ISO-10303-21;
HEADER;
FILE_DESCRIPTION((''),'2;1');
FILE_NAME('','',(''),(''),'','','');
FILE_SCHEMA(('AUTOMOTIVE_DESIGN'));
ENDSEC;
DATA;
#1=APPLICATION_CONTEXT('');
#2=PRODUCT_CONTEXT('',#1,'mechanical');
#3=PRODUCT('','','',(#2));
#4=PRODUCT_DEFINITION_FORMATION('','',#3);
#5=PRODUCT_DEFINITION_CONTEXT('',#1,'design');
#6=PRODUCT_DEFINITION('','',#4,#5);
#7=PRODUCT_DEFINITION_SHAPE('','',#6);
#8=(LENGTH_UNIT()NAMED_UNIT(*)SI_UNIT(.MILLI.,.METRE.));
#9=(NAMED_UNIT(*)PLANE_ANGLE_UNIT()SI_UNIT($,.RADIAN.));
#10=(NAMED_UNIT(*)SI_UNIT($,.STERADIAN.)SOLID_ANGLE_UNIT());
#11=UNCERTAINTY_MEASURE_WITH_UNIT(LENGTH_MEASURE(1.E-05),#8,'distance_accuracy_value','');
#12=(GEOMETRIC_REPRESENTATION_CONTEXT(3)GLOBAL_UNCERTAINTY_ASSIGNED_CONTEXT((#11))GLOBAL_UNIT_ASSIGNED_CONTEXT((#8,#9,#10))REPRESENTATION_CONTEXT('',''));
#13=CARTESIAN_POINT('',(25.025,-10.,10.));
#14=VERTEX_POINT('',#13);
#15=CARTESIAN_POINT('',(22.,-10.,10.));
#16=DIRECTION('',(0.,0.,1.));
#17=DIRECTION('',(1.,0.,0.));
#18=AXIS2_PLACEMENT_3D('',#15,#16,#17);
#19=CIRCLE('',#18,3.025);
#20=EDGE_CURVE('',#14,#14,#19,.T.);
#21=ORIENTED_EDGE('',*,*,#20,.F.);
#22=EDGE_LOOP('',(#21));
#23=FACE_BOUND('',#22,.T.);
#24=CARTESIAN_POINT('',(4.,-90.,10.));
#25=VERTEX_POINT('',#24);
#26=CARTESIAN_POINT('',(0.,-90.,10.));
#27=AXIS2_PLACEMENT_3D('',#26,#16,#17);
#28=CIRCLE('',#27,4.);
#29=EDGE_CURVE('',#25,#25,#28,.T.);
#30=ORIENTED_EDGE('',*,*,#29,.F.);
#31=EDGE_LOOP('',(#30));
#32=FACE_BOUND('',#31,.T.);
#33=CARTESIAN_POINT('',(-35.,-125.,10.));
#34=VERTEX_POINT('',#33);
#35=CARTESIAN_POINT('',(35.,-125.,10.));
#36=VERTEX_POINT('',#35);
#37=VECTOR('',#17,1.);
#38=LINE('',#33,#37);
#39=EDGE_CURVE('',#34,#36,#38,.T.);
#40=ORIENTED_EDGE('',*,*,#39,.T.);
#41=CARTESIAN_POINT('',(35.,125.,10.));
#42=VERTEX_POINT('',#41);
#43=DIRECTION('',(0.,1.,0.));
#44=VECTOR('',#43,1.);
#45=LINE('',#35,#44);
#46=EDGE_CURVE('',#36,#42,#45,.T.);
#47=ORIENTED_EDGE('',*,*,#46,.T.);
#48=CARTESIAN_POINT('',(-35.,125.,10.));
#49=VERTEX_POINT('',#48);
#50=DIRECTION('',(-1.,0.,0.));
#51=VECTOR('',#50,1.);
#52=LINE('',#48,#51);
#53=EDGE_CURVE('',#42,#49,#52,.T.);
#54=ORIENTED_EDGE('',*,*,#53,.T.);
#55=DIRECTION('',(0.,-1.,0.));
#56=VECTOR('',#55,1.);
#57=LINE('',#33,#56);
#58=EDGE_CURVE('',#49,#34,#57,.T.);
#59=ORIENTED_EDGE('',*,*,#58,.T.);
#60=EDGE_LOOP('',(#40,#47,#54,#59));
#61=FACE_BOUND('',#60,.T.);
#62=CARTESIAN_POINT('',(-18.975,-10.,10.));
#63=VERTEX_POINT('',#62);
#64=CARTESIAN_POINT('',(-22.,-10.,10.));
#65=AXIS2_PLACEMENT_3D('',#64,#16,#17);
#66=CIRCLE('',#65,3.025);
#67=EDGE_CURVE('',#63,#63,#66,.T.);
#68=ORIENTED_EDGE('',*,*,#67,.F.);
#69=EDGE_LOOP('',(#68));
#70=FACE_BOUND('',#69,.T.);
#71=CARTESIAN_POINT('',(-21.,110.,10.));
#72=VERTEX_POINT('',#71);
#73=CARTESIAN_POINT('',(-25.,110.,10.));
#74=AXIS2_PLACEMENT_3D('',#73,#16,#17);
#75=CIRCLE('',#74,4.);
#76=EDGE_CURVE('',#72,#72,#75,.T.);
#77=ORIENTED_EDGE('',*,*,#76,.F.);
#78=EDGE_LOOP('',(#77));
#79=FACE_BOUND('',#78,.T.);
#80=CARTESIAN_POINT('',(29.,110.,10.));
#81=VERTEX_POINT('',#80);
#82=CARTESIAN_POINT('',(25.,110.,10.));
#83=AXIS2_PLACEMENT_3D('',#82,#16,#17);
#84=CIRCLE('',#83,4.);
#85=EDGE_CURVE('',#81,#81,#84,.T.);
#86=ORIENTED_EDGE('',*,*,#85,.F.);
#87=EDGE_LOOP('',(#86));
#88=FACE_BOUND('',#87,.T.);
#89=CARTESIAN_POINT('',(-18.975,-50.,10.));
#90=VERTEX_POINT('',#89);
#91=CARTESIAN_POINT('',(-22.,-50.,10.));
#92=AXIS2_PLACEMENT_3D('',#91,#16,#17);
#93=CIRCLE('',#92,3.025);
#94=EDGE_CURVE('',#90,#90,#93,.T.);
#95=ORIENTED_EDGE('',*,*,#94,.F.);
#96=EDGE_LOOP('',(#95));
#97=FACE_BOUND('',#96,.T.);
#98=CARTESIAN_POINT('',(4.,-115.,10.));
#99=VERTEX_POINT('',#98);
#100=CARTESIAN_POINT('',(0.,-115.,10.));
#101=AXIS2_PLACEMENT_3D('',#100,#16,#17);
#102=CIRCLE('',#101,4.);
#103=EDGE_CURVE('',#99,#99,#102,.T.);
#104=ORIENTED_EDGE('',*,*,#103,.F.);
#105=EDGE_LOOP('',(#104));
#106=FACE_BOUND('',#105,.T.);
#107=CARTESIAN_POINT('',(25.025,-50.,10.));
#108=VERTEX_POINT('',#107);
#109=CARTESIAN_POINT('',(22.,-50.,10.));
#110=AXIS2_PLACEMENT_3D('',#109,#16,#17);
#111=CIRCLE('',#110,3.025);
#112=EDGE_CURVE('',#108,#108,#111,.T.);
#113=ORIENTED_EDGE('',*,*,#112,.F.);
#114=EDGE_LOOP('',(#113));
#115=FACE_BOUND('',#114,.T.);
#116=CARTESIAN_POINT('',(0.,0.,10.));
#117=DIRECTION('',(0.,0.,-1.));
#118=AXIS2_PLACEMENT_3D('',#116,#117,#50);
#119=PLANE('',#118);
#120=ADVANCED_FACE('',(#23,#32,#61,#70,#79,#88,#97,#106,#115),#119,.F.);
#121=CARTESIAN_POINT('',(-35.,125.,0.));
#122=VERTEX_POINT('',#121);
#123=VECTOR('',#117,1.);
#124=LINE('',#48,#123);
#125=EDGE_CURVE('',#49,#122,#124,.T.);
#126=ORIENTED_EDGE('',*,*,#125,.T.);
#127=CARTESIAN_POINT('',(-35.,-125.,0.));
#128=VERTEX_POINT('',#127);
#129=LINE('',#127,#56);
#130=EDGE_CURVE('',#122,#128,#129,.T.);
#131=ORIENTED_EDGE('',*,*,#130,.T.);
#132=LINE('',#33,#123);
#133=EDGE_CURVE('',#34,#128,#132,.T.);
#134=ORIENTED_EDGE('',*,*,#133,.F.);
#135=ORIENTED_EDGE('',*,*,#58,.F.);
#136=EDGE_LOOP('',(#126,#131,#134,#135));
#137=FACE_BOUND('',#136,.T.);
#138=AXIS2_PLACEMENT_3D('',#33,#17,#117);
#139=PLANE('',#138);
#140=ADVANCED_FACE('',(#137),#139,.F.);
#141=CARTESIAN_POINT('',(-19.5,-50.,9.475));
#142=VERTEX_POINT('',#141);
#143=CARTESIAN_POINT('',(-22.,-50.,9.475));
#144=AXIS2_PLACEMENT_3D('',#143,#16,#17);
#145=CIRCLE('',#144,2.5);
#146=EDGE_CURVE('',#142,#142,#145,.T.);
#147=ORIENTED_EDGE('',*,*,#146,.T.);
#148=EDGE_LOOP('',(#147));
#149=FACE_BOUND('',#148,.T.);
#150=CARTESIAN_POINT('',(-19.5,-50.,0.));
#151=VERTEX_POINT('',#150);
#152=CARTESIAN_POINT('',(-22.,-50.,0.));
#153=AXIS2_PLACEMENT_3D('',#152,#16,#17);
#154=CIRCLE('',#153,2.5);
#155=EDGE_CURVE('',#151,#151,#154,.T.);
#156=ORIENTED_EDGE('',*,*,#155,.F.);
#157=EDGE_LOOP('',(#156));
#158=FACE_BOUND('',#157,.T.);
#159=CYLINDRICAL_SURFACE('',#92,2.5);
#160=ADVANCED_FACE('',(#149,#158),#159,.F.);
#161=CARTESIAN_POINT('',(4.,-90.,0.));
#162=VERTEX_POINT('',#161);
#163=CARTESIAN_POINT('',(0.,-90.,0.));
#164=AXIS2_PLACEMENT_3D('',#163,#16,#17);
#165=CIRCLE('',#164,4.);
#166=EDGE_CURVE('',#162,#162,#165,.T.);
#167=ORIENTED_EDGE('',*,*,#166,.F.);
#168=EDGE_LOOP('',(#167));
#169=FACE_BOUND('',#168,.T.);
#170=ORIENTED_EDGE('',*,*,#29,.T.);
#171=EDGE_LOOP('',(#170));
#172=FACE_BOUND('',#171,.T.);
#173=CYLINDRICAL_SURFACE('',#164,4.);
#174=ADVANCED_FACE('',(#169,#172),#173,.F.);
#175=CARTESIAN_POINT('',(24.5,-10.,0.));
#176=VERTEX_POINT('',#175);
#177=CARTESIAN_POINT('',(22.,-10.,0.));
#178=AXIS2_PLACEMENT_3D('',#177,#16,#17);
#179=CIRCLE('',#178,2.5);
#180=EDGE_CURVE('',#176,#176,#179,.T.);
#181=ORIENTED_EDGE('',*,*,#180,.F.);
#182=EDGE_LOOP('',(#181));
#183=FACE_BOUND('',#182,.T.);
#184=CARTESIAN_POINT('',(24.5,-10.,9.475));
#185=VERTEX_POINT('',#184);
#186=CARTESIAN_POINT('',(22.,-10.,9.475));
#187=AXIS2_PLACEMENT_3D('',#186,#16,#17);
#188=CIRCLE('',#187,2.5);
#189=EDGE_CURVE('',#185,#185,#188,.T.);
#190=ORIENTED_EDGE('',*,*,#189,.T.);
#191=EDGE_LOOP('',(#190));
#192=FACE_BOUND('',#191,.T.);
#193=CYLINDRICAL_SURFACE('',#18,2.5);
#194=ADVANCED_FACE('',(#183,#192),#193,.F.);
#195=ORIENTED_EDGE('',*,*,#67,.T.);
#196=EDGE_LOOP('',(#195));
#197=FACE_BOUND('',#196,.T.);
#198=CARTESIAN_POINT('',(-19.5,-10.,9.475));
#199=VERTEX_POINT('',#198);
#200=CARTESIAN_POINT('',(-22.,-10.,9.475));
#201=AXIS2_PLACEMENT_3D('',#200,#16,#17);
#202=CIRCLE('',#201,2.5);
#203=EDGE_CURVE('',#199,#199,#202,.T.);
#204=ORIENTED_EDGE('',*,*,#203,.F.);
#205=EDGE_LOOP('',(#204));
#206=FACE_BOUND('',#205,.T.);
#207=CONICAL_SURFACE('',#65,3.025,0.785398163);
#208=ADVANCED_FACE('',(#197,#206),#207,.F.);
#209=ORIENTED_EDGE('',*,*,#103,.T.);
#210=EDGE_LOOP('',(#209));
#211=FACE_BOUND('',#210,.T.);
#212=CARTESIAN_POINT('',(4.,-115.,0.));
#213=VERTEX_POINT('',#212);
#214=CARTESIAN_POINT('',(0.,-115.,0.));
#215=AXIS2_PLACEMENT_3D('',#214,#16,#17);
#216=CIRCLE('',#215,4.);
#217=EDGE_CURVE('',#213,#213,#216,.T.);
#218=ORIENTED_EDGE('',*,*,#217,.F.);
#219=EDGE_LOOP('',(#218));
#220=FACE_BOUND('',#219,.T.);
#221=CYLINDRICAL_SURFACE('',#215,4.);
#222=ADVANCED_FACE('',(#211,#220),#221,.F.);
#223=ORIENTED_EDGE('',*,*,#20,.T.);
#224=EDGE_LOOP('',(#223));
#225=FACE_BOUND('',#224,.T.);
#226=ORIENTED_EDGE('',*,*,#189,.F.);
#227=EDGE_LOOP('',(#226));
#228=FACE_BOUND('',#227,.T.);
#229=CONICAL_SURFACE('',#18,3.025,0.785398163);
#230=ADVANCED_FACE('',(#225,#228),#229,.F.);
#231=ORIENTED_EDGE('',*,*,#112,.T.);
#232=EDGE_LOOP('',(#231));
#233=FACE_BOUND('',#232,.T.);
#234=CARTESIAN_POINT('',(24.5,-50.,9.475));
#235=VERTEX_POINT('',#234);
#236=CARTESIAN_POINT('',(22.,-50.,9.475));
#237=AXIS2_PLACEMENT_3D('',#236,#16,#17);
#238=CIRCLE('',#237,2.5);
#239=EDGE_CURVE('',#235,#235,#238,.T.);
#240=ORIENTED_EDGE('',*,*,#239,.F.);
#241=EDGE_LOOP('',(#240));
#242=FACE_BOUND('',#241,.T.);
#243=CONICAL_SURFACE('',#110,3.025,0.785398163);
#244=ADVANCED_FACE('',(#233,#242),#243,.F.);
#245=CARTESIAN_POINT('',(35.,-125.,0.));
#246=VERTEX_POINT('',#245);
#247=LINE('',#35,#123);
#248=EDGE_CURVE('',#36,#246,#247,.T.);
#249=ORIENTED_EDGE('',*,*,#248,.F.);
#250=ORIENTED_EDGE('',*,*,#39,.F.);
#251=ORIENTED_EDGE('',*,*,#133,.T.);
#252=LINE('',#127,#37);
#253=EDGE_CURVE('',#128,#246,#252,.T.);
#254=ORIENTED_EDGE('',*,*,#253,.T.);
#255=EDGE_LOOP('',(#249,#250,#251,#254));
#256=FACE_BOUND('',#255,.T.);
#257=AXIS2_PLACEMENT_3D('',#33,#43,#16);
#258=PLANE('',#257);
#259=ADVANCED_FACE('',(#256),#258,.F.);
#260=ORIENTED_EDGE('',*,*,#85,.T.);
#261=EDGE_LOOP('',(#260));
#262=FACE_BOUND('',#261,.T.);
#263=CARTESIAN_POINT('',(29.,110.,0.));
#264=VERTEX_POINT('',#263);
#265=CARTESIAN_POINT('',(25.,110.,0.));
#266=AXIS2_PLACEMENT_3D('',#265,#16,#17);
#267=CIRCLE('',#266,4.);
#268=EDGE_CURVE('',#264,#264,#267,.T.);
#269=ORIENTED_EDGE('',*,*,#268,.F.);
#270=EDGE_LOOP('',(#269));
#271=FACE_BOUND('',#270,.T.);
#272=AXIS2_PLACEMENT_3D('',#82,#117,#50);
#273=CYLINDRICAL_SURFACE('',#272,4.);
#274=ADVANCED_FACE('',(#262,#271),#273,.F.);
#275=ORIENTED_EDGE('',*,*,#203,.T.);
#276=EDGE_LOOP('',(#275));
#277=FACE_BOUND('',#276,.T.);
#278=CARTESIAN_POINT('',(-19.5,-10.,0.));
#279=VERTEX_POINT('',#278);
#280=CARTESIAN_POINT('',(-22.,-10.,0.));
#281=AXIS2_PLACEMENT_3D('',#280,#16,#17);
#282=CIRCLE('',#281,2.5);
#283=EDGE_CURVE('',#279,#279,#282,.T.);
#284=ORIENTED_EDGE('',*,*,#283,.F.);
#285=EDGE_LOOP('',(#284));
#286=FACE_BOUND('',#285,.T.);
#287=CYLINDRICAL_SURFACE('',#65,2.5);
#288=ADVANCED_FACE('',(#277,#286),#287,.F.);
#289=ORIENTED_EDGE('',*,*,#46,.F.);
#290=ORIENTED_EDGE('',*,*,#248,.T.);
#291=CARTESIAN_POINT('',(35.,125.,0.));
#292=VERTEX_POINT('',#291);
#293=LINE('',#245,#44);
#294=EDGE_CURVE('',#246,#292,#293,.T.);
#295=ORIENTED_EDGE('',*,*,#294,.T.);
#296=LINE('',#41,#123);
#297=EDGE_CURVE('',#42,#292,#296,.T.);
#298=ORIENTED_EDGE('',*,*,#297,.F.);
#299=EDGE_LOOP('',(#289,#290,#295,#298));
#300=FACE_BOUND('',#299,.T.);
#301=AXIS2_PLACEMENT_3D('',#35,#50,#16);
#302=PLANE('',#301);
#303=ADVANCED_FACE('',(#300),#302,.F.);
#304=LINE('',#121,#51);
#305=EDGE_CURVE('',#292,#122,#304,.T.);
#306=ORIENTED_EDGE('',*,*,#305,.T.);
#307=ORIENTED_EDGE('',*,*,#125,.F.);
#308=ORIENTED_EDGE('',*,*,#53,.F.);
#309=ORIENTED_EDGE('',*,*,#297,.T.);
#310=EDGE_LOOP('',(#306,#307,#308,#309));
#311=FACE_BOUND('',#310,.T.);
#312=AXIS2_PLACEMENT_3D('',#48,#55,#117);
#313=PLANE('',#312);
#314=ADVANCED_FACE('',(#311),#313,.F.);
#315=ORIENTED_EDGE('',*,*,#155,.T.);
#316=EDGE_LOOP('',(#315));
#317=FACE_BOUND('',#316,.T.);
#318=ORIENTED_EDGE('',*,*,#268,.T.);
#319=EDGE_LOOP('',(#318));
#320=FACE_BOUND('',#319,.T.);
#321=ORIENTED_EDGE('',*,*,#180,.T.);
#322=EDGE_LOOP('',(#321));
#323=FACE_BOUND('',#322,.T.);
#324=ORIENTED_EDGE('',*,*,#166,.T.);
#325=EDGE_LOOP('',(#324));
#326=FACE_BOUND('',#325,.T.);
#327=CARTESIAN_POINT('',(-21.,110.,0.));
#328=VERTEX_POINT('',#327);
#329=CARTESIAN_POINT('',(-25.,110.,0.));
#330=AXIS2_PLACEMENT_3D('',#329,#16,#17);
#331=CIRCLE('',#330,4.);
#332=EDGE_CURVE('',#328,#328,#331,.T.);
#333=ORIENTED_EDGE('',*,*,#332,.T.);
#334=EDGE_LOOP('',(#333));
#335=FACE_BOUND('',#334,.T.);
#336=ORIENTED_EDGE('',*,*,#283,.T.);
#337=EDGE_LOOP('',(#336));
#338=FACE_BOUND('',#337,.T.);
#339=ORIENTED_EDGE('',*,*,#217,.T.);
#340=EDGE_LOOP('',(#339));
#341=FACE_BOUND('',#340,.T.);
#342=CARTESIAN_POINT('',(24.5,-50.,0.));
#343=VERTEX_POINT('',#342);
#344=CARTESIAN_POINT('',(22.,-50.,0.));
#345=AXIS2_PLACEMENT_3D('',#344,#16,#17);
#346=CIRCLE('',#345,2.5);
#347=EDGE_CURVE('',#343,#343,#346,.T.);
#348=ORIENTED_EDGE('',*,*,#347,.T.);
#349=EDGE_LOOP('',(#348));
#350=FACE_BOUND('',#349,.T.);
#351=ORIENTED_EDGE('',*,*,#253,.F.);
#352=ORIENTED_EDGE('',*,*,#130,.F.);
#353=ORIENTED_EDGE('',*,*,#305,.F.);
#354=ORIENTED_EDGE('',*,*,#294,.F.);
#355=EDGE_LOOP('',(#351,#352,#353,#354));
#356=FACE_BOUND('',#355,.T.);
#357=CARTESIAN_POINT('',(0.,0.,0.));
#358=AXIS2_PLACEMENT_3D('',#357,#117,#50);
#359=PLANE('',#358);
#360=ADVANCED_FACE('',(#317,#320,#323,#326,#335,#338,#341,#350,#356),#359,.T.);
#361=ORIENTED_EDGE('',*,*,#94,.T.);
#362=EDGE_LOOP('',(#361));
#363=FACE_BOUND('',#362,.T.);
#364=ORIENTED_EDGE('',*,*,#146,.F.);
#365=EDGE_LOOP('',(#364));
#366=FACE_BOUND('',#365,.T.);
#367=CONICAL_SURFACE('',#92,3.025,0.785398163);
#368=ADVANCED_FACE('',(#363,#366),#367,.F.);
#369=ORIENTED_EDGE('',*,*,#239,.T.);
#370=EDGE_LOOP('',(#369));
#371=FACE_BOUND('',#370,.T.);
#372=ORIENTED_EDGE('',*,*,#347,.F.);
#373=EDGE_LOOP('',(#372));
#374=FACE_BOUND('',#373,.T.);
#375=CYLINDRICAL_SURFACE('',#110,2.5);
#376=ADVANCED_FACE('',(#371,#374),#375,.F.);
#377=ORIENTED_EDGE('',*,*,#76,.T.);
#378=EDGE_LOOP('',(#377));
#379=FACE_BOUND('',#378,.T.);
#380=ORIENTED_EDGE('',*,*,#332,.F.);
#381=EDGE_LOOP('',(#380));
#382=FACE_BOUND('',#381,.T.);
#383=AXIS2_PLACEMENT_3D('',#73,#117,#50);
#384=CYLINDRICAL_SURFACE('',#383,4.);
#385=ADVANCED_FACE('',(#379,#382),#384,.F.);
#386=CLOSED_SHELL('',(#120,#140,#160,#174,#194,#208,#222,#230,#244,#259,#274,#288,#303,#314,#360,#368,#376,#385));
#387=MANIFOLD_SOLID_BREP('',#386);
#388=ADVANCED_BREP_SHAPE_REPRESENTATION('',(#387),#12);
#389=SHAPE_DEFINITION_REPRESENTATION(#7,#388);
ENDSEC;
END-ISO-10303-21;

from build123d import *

# Parameters (mm, degrees)
SKETCH1_W                       = 70
SKETCH1_H                       = 250
SKETCH1_R                       = 4
BOSS_EXTRUDE1_DEPTH             = 10
M6X1_0_TAPPED_HOLE2_D           = 5
M6X1_0_TAPPED_HOLE2_CSINK_D     = 6.05
M6X1_0_TAPPED_HOLE2_CSINK_ANGLE = 90
SKETCH7_R                       = 4
CUT_EXTRUDE1_DEPTH              = 11


with BuildPart() as part:
    # Sketch1 → Boss-Extrude1 (new body)
    with BuildSketch(Plane.XY):
        Rectangle(SKETCH1_W, SKETCH1_H)
        with Locations((-25, 110)):
            Circle(SKETCH1_R, mode=Mode.SUBTRACT)
        with Locations((25, 110)):
            Circle(SKETCH1_R, mode=Mode.SUBTRACT)
    extrude(amount=BOSS_EXTRUDE1_DEPTH)

    # M6x1.0 Tapped Hole2 (through all)
    with Locations(Plane.XY.offset(10)):
        with Locations((-22, -10), (22, -10), (22, -50), (-22, -50)):
            CounterSinkHole(M6X1_0_TAPPED_HOLE2_D / 2, M6X1_0_TAPPED_HOLE2_CSINK_D / 2, counter_sink_angle=M6X1_0_TAPPED_HOLE2_CSINK_ANGLE)

    # Sketch7 → Cut-Extrude1 (cut, through all)
    with BuildSketch(Plane.XY.offset(10)):
        with Locations((0, -90)):
            Circle(SKETCH7_R)
        with Locations((0, -115)):
            Circle(SKETCH7_R)
    extrude(amount=-CUT_EXTRUDE1_DEPTH, mode=Mode.SUBTRACT)


solid = part.part
